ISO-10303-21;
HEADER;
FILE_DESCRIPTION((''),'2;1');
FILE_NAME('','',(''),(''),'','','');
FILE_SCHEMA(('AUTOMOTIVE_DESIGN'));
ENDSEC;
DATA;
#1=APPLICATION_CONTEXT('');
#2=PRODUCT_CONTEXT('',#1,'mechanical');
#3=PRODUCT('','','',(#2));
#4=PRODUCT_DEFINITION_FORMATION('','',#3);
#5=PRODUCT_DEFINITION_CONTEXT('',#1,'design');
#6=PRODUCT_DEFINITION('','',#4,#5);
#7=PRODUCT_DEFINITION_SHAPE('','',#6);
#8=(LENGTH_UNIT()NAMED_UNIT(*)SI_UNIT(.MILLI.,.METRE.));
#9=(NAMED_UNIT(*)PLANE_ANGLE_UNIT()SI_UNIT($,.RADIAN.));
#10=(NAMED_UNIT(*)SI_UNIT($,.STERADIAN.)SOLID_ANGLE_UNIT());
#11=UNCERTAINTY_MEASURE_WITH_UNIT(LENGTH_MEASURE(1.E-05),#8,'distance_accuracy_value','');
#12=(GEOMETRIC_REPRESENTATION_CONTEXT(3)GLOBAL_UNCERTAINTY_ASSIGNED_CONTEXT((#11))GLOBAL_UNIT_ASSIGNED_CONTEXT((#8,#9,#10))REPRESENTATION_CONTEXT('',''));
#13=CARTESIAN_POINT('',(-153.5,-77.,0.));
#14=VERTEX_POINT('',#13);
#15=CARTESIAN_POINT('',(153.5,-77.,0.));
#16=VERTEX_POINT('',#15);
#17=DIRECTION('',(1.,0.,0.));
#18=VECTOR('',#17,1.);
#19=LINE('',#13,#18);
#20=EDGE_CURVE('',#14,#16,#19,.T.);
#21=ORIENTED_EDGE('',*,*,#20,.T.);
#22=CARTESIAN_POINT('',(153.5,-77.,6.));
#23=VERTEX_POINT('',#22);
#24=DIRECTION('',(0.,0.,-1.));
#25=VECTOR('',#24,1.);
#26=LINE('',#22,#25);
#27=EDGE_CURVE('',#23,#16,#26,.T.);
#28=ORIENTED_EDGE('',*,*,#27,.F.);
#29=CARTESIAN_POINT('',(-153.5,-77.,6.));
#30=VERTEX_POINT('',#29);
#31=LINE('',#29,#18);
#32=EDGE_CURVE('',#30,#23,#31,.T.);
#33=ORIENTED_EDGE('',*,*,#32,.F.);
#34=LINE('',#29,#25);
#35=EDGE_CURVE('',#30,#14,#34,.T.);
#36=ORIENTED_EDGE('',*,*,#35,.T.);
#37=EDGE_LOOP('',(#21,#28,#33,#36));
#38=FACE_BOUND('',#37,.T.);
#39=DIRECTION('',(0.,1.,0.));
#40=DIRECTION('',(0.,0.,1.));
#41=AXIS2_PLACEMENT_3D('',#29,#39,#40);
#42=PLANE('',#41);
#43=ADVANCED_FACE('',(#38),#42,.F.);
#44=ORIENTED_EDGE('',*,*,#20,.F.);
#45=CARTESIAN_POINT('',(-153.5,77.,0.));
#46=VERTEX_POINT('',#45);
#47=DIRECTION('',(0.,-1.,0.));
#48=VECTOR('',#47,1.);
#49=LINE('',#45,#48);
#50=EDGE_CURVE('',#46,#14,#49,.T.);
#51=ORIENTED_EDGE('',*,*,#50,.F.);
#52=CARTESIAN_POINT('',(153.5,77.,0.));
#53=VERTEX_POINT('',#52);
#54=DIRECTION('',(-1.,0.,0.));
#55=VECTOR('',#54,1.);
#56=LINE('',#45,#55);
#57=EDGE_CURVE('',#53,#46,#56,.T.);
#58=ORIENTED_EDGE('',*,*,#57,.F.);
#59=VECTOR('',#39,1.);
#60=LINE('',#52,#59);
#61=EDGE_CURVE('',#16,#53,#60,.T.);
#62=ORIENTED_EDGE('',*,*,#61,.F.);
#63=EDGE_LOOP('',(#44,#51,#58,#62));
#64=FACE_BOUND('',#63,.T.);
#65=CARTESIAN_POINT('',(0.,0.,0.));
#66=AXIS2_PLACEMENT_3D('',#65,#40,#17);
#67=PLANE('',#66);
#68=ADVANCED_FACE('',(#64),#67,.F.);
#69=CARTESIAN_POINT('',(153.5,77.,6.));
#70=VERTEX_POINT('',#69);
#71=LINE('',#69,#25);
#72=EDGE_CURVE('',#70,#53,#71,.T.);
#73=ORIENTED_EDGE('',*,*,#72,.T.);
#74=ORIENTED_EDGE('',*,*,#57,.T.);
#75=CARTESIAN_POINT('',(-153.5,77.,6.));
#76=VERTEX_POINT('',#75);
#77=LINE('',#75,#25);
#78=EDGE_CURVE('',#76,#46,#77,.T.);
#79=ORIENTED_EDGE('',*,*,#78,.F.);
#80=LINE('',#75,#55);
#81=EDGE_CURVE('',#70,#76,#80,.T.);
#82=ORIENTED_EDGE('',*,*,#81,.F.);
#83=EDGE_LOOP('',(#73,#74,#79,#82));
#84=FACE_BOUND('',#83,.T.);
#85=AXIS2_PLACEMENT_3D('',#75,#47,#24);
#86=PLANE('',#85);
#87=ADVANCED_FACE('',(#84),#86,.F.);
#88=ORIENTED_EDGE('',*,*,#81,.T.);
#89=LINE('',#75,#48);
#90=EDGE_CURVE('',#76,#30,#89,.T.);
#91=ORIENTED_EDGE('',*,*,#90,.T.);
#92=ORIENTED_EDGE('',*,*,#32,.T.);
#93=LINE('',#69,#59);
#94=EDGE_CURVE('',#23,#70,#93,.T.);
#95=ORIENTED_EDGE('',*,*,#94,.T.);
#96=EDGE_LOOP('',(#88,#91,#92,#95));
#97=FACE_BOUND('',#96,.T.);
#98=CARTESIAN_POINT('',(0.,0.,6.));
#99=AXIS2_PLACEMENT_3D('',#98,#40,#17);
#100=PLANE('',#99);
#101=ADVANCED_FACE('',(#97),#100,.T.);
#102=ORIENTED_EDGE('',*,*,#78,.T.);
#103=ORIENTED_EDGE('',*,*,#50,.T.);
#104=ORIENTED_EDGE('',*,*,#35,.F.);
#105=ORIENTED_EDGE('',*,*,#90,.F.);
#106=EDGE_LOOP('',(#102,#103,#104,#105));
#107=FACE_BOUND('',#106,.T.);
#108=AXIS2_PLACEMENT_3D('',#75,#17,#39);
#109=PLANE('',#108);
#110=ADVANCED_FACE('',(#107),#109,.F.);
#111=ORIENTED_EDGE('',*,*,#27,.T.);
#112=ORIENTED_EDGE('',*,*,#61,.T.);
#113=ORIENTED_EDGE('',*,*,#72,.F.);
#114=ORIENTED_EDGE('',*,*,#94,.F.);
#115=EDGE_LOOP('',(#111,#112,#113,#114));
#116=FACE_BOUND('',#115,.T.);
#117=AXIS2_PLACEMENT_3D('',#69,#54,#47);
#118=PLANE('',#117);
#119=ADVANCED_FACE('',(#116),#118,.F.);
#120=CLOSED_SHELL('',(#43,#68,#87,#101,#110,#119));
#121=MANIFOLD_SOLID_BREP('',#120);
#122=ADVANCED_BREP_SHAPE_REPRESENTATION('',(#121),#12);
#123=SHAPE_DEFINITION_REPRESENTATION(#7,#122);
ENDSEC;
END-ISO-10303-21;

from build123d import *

# Parameters (mm, degrees)
SKETCH_1_W      = 307
SKETCH_1_H      = 154
EXTRUDE_1_DEPTH = 6


with BuildPart() as part:
    # Эскиз1 → Бобышка-Вытянуть1 (new body)
    with BuildSketch(Plane.XY):
        Rectangle(SKETCH_1_W, SKETCH_1_H)
    extrude(amount=EXTRUDE_1_DEPTH)


solid = part.part
